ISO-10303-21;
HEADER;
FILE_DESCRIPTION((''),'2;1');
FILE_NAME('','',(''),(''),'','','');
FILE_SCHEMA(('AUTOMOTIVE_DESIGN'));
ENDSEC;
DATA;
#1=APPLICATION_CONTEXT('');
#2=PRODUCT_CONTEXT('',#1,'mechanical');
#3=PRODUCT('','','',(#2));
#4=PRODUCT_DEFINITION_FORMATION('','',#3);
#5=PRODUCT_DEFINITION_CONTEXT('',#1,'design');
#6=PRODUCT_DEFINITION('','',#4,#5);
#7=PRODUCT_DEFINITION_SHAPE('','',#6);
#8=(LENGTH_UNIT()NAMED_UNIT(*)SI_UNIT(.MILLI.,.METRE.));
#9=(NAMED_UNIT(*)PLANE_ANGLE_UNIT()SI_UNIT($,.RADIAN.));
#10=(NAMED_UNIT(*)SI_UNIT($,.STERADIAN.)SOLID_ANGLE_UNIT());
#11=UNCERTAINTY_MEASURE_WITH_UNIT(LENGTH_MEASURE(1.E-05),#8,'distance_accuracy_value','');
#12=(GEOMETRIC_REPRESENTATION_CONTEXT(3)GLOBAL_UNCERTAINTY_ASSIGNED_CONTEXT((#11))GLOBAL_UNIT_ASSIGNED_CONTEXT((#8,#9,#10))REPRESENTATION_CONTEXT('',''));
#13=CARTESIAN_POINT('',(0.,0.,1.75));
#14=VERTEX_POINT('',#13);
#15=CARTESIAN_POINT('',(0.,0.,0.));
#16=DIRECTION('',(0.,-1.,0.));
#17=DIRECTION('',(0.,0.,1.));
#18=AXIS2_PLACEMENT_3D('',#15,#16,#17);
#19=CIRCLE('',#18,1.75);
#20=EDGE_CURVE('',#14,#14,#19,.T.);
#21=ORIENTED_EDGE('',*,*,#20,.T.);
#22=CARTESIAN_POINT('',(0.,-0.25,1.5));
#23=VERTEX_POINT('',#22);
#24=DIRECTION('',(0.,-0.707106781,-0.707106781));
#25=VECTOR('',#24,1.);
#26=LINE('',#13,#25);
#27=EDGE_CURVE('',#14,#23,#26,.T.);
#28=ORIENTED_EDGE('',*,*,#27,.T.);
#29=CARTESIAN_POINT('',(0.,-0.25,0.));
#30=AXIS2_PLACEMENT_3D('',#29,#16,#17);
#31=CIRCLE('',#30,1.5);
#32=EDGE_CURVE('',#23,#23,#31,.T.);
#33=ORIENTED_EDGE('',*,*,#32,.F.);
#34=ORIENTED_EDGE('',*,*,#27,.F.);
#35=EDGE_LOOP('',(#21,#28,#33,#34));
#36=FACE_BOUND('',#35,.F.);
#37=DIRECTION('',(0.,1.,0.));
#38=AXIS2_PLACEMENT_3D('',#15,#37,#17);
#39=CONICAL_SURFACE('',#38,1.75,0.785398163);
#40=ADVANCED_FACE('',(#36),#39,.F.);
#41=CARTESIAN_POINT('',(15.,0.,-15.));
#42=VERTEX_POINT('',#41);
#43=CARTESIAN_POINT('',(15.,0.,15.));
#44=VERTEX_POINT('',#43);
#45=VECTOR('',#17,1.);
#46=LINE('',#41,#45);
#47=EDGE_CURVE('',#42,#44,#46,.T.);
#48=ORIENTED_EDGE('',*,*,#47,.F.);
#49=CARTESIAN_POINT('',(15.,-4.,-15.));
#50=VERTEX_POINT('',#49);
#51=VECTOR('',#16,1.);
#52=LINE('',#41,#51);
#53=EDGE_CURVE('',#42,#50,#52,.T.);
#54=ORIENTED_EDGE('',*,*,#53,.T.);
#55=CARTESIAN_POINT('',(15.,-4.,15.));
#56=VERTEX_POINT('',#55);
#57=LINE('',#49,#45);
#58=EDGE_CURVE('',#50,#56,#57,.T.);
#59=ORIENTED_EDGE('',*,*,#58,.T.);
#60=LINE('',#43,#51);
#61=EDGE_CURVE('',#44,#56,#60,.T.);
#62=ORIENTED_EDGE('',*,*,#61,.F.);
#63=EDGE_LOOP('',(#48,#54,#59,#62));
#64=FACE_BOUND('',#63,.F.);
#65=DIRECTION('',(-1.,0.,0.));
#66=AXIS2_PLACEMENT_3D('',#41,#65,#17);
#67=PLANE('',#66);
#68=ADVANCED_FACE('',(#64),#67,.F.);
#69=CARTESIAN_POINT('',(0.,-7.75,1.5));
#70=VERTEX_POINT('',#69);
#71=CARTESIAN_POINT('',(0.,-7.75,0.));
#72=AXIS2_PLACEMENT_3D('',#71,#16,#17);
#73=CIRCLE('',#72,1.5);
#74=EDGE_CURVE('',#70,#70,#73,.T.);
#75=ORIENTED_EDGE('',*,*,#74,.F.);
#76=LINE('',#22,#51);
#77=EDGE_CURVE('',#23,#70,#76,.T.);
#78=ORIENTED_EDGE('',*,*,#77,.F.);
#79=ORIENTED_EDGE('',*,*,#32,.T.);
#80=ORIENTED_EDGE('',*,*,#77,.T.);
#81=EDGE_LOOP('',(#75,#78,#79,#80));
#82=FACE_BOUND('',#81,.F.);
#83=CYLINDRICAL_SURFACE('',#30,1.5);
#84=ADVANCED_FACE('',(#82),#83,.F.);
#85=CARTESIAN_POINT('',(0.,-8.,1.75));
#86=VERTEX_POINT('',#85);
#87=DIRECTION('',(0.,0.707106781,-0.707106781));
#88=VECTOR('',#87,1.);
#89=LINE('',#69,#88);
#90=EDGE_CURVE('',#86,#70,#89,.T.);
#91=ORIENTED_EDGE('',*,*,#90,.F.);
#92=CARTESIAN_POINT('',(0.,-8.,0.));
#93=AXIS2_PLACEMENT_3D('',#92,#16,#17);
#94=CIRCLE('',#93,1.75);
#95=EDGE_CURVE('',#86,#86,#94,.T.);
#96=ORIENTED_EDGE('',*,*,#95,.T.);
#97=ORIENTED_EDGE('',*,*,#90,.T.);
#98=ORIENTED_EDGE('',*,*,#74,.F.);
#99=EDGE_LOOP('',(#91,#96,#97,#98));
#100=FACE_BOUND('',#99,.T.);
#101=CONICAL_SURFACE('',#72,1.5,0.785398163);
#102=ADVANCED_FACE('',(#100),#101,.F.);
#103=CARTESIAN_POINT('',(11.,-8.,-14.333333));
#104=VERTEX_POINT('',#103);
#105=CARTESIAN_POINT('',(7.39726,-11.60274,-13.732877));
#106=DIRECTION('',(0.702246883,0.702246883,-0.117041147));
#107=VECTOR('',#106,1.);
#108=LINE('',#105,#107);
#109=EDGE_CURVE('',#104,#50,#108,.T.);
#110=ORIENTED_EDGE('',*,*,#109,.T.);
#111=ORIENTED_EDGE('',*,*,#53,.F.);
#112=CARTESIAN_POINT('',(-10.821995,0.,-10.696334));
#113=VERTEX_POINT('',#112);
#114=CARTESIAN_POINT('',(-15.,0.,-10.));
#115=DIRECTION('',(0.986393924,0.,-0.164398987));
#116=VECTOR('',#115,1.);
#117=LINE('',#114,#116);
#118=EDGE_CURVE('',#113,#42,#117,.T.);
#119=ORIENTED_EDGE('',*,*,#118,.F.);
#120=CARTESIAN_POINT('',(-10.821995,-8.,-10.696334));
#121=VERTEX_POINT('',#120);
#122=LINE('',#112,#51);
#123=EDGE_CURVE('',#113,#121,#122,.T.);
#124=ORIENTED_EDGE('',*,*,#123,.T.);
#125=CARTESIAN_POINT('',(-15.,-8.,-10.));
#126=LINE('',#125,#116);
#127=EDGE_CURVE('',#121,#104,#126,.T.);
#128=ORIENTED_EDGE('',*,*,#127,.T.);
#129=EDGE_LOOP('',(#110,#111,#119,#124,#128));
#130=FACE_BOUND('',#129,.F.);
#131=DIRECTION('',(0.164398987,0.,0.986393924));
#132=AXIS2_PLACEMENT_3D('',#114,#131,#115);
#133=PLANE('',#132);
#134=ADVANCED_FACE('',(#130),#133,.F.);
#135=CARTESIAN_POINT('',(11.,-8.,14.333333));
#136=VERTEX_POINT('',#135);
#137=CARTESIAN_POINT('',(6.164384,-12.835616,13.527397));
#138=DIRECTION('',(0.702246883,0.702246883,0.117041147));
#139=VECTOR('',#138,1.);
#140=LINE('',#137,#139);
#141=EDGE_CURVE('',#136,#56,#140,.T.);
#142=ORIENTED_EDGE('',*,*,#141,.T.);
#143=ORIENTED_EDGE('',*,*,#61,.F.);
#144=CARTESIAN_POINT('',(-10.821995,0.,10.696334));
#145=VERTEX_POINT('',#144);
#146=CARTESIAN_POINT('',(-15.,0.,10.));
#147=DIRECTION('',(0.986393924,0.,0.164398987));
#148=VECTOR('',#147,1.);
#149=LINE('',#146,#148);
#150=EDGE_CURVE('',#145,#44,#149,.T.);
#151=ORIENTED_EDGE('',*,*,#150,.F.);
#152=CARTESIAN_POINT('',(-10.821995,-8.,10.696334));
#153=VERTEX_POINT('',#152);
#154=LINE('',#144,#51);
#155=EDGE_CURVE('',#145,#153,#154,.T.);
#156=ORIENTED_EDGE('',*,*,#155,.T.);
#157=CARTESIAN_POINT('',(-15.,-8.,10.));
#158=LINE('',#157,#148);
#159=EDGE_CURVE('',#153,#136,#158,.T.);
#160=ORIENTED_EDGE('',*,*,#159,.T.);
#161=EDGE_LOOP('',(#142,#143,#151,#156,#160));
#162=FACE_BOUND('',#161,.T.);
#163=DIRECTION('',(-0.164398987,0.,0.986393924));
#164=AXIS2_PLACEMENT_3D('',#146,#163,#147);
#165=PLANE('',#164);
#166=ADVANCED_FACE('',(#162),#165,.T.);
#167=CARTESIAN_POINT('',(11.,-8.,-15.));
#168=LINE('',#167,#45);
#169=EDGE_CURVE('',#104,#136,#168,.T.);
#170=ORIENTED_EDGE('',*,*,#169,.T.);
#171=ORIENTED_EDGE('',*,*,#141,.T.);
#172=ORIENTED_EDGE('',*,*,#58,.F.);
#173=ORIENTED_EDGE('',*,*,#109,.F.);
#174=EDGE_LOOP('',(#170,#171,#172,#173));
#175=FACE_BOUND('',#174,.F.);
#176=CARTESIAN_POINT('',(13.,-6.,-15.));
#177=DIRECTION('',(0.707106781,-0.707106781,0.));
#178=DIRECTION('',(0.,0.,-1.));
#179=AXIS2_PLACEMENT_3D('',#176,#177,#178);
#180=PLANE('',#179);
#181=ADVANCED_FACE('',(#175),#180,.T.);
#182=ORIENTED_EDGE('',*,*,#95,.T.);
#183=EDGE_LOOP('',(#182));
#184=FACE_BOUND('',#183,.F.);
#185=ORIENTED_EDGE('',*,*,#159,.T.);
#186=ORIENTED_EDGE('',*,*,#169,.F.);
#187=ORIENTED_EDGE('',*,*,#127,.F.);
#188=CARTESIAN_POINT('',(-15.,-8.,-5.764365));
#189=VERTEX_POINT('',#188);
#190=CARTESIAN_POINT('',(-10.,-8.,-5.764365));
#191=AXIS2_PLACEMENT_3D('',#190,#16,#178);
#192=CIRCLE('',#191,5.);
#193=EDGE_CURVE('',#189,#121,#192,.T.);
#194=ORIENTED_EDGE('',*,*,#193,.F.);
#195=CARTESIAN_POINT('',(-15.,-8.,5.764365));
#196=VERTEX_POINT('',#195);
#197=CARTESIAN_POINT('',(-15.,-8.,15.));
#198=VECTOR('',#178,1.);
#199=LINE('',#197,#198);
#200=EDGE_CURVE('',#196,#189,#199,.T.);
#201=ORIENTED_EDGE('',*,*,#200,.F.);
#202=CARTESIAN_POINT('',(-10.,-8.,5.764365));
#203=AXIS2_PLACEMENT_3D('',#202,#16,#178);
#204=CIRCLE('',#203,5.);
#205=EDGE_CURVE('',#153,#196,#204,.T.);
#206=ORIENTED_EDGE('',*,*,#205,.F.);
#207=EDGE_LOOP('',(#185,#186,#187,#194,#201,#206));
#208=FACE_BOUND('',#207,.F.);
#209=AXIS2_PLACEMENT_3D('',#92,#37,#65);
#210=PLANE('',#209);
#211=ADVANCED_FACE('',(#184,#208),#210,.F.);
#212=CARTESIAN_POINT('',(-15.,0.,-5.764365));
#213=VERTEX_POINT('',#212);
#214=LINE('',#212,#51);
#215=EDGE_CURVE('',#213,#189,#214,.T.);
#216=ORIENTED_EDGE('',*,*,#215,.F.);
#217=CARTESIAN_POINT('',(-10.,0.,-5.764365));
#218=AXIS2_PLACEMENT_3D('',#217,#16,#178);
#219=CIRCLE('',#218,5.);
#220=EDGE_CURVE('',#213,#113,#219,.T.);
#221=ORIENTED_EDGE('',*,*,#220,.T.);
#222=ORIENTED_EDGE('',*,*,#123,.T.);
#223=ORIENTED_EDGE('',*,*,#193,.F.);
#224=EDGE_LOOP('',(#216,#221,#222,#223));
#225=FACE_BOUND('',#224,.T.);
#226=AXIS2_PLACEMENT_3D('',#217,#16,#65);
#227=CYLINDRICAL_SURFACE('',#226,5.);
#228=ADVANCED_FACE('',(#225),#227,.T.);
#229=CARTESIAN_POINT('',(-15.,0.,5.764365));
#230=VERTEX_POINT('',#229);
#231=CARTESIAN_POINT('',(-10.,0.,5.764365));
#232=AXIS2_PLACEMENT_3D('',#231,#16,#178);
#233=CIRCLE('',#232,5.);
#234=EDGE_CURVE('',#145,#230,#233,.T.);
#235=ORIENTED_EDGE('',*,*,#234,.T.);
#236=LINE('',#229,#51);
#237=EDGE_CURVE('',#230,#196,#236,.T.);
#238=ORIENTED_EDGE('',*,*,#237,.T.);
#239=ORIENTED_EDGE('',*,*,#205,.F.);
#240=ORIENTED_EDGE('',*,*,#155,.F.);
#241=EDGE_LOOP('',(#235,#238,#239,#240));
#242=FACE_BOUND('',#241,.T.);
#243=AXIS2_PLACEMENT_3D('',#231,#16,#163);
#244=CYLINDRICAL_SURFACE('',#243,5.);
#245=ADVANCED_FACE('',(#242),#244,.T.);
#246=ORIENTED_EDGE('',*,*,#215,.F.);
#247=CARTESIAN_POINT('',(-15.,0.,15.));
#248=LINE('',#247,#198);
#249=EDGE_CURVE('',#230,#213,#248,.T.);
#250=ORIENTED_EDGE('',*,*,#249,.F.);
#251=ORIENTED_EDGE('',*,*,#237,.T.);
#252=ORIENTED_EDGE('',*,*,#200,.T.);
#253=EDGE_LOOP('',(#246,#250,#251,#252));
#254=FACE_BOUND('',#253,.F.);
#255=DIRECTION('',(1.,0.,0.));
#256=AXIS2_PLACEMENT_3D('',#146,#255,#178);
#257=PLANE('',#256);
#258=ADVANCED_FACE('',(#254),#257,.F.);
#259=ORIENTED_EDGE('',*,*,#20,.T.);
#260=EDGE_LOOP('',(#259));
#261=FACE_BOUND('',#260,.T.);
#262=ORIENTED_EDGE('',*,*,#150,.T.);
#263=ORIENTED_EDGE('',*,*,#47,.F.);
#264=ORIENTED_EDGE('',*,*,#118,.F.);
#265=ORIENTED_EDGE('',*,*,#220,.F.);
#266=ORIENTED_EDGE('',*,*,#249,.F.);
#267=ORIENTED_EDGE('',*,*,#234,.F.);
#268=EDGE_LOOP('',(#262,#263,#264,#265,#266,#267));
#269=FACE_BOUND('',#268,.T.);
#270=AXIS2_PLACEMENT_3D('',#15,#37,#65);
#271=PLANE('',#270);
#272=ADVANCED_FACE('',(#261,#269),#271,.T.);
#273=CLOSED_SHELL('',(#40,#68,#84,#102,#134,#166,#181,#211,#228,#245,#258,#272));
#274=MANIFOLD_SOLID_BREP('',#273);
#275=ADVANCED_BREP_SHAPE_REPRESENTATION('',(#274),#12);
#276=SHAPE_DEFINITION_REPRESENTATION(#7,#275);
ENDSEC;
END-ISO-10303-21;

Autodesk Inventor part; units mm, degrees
ref_plane "YZ Plane" through (0, 0, 0) normal (1, 0, 0) x (0, 1, 0)
ref_plane "XZ Plane" through (0, 0, 0) normal (0, 1, 0) x (-1, 0, 0)
ref_plane "XY Plane" through (0, 0, 0) normal (0, 0, 1) x (1, 0, 0)
sketch "Sketch1" plane through (0, 0, 0) normal (0, 1, 0) x (-1, 0, 0)
  line L0 (-15, 15) -> (15, 15)
  line L1 (15, 15) -> (15, -15)
  line L2 (15, -15) -> (-15, -15)
  line L3 (-15, -15) -> (-15, 15)
  line L4 (-15, 15) -> (15, -15) construction
  line L5 (15, 15) -> (-15, -15) construction
  line L6 (15, -10) -> (-15, -15)
  line L7 (21, 0) -> (-21, 0) construction
  line L8 (15, 10) -> (-15, 15)
  point P0 (0, 0)
  point P1 (0, 0)
  point P2 (-15, 15)
  point P3 (15, 10)
  dimension "d1" = 30
  dimension "d2" = 30
  dimension "d19" = 20
  dimension "d20" = 30
extrude "Extrusion1" add sketch "Sketch1" against normal blind 8 contours L8 L1 L6 L3
hole "Hole1" at (0, 0, 0) direction (0, -1, 0) diameter 3 end through all countersink diameter 3.5 countersink angle 90
chamfer "Chamfer1" distance 0.25 angle 45 1 edges at (0, -8, -1.5)
fillet "Fillet1" radius 5 2 edges at (-15, -4, 10) (-15, -4, -10)
chamfer "Chamfer3" distance 4 angle 45 1 edges at (15, -8, 0)
properties part number "TCSM1-002A" material "Wood (Oak)"
